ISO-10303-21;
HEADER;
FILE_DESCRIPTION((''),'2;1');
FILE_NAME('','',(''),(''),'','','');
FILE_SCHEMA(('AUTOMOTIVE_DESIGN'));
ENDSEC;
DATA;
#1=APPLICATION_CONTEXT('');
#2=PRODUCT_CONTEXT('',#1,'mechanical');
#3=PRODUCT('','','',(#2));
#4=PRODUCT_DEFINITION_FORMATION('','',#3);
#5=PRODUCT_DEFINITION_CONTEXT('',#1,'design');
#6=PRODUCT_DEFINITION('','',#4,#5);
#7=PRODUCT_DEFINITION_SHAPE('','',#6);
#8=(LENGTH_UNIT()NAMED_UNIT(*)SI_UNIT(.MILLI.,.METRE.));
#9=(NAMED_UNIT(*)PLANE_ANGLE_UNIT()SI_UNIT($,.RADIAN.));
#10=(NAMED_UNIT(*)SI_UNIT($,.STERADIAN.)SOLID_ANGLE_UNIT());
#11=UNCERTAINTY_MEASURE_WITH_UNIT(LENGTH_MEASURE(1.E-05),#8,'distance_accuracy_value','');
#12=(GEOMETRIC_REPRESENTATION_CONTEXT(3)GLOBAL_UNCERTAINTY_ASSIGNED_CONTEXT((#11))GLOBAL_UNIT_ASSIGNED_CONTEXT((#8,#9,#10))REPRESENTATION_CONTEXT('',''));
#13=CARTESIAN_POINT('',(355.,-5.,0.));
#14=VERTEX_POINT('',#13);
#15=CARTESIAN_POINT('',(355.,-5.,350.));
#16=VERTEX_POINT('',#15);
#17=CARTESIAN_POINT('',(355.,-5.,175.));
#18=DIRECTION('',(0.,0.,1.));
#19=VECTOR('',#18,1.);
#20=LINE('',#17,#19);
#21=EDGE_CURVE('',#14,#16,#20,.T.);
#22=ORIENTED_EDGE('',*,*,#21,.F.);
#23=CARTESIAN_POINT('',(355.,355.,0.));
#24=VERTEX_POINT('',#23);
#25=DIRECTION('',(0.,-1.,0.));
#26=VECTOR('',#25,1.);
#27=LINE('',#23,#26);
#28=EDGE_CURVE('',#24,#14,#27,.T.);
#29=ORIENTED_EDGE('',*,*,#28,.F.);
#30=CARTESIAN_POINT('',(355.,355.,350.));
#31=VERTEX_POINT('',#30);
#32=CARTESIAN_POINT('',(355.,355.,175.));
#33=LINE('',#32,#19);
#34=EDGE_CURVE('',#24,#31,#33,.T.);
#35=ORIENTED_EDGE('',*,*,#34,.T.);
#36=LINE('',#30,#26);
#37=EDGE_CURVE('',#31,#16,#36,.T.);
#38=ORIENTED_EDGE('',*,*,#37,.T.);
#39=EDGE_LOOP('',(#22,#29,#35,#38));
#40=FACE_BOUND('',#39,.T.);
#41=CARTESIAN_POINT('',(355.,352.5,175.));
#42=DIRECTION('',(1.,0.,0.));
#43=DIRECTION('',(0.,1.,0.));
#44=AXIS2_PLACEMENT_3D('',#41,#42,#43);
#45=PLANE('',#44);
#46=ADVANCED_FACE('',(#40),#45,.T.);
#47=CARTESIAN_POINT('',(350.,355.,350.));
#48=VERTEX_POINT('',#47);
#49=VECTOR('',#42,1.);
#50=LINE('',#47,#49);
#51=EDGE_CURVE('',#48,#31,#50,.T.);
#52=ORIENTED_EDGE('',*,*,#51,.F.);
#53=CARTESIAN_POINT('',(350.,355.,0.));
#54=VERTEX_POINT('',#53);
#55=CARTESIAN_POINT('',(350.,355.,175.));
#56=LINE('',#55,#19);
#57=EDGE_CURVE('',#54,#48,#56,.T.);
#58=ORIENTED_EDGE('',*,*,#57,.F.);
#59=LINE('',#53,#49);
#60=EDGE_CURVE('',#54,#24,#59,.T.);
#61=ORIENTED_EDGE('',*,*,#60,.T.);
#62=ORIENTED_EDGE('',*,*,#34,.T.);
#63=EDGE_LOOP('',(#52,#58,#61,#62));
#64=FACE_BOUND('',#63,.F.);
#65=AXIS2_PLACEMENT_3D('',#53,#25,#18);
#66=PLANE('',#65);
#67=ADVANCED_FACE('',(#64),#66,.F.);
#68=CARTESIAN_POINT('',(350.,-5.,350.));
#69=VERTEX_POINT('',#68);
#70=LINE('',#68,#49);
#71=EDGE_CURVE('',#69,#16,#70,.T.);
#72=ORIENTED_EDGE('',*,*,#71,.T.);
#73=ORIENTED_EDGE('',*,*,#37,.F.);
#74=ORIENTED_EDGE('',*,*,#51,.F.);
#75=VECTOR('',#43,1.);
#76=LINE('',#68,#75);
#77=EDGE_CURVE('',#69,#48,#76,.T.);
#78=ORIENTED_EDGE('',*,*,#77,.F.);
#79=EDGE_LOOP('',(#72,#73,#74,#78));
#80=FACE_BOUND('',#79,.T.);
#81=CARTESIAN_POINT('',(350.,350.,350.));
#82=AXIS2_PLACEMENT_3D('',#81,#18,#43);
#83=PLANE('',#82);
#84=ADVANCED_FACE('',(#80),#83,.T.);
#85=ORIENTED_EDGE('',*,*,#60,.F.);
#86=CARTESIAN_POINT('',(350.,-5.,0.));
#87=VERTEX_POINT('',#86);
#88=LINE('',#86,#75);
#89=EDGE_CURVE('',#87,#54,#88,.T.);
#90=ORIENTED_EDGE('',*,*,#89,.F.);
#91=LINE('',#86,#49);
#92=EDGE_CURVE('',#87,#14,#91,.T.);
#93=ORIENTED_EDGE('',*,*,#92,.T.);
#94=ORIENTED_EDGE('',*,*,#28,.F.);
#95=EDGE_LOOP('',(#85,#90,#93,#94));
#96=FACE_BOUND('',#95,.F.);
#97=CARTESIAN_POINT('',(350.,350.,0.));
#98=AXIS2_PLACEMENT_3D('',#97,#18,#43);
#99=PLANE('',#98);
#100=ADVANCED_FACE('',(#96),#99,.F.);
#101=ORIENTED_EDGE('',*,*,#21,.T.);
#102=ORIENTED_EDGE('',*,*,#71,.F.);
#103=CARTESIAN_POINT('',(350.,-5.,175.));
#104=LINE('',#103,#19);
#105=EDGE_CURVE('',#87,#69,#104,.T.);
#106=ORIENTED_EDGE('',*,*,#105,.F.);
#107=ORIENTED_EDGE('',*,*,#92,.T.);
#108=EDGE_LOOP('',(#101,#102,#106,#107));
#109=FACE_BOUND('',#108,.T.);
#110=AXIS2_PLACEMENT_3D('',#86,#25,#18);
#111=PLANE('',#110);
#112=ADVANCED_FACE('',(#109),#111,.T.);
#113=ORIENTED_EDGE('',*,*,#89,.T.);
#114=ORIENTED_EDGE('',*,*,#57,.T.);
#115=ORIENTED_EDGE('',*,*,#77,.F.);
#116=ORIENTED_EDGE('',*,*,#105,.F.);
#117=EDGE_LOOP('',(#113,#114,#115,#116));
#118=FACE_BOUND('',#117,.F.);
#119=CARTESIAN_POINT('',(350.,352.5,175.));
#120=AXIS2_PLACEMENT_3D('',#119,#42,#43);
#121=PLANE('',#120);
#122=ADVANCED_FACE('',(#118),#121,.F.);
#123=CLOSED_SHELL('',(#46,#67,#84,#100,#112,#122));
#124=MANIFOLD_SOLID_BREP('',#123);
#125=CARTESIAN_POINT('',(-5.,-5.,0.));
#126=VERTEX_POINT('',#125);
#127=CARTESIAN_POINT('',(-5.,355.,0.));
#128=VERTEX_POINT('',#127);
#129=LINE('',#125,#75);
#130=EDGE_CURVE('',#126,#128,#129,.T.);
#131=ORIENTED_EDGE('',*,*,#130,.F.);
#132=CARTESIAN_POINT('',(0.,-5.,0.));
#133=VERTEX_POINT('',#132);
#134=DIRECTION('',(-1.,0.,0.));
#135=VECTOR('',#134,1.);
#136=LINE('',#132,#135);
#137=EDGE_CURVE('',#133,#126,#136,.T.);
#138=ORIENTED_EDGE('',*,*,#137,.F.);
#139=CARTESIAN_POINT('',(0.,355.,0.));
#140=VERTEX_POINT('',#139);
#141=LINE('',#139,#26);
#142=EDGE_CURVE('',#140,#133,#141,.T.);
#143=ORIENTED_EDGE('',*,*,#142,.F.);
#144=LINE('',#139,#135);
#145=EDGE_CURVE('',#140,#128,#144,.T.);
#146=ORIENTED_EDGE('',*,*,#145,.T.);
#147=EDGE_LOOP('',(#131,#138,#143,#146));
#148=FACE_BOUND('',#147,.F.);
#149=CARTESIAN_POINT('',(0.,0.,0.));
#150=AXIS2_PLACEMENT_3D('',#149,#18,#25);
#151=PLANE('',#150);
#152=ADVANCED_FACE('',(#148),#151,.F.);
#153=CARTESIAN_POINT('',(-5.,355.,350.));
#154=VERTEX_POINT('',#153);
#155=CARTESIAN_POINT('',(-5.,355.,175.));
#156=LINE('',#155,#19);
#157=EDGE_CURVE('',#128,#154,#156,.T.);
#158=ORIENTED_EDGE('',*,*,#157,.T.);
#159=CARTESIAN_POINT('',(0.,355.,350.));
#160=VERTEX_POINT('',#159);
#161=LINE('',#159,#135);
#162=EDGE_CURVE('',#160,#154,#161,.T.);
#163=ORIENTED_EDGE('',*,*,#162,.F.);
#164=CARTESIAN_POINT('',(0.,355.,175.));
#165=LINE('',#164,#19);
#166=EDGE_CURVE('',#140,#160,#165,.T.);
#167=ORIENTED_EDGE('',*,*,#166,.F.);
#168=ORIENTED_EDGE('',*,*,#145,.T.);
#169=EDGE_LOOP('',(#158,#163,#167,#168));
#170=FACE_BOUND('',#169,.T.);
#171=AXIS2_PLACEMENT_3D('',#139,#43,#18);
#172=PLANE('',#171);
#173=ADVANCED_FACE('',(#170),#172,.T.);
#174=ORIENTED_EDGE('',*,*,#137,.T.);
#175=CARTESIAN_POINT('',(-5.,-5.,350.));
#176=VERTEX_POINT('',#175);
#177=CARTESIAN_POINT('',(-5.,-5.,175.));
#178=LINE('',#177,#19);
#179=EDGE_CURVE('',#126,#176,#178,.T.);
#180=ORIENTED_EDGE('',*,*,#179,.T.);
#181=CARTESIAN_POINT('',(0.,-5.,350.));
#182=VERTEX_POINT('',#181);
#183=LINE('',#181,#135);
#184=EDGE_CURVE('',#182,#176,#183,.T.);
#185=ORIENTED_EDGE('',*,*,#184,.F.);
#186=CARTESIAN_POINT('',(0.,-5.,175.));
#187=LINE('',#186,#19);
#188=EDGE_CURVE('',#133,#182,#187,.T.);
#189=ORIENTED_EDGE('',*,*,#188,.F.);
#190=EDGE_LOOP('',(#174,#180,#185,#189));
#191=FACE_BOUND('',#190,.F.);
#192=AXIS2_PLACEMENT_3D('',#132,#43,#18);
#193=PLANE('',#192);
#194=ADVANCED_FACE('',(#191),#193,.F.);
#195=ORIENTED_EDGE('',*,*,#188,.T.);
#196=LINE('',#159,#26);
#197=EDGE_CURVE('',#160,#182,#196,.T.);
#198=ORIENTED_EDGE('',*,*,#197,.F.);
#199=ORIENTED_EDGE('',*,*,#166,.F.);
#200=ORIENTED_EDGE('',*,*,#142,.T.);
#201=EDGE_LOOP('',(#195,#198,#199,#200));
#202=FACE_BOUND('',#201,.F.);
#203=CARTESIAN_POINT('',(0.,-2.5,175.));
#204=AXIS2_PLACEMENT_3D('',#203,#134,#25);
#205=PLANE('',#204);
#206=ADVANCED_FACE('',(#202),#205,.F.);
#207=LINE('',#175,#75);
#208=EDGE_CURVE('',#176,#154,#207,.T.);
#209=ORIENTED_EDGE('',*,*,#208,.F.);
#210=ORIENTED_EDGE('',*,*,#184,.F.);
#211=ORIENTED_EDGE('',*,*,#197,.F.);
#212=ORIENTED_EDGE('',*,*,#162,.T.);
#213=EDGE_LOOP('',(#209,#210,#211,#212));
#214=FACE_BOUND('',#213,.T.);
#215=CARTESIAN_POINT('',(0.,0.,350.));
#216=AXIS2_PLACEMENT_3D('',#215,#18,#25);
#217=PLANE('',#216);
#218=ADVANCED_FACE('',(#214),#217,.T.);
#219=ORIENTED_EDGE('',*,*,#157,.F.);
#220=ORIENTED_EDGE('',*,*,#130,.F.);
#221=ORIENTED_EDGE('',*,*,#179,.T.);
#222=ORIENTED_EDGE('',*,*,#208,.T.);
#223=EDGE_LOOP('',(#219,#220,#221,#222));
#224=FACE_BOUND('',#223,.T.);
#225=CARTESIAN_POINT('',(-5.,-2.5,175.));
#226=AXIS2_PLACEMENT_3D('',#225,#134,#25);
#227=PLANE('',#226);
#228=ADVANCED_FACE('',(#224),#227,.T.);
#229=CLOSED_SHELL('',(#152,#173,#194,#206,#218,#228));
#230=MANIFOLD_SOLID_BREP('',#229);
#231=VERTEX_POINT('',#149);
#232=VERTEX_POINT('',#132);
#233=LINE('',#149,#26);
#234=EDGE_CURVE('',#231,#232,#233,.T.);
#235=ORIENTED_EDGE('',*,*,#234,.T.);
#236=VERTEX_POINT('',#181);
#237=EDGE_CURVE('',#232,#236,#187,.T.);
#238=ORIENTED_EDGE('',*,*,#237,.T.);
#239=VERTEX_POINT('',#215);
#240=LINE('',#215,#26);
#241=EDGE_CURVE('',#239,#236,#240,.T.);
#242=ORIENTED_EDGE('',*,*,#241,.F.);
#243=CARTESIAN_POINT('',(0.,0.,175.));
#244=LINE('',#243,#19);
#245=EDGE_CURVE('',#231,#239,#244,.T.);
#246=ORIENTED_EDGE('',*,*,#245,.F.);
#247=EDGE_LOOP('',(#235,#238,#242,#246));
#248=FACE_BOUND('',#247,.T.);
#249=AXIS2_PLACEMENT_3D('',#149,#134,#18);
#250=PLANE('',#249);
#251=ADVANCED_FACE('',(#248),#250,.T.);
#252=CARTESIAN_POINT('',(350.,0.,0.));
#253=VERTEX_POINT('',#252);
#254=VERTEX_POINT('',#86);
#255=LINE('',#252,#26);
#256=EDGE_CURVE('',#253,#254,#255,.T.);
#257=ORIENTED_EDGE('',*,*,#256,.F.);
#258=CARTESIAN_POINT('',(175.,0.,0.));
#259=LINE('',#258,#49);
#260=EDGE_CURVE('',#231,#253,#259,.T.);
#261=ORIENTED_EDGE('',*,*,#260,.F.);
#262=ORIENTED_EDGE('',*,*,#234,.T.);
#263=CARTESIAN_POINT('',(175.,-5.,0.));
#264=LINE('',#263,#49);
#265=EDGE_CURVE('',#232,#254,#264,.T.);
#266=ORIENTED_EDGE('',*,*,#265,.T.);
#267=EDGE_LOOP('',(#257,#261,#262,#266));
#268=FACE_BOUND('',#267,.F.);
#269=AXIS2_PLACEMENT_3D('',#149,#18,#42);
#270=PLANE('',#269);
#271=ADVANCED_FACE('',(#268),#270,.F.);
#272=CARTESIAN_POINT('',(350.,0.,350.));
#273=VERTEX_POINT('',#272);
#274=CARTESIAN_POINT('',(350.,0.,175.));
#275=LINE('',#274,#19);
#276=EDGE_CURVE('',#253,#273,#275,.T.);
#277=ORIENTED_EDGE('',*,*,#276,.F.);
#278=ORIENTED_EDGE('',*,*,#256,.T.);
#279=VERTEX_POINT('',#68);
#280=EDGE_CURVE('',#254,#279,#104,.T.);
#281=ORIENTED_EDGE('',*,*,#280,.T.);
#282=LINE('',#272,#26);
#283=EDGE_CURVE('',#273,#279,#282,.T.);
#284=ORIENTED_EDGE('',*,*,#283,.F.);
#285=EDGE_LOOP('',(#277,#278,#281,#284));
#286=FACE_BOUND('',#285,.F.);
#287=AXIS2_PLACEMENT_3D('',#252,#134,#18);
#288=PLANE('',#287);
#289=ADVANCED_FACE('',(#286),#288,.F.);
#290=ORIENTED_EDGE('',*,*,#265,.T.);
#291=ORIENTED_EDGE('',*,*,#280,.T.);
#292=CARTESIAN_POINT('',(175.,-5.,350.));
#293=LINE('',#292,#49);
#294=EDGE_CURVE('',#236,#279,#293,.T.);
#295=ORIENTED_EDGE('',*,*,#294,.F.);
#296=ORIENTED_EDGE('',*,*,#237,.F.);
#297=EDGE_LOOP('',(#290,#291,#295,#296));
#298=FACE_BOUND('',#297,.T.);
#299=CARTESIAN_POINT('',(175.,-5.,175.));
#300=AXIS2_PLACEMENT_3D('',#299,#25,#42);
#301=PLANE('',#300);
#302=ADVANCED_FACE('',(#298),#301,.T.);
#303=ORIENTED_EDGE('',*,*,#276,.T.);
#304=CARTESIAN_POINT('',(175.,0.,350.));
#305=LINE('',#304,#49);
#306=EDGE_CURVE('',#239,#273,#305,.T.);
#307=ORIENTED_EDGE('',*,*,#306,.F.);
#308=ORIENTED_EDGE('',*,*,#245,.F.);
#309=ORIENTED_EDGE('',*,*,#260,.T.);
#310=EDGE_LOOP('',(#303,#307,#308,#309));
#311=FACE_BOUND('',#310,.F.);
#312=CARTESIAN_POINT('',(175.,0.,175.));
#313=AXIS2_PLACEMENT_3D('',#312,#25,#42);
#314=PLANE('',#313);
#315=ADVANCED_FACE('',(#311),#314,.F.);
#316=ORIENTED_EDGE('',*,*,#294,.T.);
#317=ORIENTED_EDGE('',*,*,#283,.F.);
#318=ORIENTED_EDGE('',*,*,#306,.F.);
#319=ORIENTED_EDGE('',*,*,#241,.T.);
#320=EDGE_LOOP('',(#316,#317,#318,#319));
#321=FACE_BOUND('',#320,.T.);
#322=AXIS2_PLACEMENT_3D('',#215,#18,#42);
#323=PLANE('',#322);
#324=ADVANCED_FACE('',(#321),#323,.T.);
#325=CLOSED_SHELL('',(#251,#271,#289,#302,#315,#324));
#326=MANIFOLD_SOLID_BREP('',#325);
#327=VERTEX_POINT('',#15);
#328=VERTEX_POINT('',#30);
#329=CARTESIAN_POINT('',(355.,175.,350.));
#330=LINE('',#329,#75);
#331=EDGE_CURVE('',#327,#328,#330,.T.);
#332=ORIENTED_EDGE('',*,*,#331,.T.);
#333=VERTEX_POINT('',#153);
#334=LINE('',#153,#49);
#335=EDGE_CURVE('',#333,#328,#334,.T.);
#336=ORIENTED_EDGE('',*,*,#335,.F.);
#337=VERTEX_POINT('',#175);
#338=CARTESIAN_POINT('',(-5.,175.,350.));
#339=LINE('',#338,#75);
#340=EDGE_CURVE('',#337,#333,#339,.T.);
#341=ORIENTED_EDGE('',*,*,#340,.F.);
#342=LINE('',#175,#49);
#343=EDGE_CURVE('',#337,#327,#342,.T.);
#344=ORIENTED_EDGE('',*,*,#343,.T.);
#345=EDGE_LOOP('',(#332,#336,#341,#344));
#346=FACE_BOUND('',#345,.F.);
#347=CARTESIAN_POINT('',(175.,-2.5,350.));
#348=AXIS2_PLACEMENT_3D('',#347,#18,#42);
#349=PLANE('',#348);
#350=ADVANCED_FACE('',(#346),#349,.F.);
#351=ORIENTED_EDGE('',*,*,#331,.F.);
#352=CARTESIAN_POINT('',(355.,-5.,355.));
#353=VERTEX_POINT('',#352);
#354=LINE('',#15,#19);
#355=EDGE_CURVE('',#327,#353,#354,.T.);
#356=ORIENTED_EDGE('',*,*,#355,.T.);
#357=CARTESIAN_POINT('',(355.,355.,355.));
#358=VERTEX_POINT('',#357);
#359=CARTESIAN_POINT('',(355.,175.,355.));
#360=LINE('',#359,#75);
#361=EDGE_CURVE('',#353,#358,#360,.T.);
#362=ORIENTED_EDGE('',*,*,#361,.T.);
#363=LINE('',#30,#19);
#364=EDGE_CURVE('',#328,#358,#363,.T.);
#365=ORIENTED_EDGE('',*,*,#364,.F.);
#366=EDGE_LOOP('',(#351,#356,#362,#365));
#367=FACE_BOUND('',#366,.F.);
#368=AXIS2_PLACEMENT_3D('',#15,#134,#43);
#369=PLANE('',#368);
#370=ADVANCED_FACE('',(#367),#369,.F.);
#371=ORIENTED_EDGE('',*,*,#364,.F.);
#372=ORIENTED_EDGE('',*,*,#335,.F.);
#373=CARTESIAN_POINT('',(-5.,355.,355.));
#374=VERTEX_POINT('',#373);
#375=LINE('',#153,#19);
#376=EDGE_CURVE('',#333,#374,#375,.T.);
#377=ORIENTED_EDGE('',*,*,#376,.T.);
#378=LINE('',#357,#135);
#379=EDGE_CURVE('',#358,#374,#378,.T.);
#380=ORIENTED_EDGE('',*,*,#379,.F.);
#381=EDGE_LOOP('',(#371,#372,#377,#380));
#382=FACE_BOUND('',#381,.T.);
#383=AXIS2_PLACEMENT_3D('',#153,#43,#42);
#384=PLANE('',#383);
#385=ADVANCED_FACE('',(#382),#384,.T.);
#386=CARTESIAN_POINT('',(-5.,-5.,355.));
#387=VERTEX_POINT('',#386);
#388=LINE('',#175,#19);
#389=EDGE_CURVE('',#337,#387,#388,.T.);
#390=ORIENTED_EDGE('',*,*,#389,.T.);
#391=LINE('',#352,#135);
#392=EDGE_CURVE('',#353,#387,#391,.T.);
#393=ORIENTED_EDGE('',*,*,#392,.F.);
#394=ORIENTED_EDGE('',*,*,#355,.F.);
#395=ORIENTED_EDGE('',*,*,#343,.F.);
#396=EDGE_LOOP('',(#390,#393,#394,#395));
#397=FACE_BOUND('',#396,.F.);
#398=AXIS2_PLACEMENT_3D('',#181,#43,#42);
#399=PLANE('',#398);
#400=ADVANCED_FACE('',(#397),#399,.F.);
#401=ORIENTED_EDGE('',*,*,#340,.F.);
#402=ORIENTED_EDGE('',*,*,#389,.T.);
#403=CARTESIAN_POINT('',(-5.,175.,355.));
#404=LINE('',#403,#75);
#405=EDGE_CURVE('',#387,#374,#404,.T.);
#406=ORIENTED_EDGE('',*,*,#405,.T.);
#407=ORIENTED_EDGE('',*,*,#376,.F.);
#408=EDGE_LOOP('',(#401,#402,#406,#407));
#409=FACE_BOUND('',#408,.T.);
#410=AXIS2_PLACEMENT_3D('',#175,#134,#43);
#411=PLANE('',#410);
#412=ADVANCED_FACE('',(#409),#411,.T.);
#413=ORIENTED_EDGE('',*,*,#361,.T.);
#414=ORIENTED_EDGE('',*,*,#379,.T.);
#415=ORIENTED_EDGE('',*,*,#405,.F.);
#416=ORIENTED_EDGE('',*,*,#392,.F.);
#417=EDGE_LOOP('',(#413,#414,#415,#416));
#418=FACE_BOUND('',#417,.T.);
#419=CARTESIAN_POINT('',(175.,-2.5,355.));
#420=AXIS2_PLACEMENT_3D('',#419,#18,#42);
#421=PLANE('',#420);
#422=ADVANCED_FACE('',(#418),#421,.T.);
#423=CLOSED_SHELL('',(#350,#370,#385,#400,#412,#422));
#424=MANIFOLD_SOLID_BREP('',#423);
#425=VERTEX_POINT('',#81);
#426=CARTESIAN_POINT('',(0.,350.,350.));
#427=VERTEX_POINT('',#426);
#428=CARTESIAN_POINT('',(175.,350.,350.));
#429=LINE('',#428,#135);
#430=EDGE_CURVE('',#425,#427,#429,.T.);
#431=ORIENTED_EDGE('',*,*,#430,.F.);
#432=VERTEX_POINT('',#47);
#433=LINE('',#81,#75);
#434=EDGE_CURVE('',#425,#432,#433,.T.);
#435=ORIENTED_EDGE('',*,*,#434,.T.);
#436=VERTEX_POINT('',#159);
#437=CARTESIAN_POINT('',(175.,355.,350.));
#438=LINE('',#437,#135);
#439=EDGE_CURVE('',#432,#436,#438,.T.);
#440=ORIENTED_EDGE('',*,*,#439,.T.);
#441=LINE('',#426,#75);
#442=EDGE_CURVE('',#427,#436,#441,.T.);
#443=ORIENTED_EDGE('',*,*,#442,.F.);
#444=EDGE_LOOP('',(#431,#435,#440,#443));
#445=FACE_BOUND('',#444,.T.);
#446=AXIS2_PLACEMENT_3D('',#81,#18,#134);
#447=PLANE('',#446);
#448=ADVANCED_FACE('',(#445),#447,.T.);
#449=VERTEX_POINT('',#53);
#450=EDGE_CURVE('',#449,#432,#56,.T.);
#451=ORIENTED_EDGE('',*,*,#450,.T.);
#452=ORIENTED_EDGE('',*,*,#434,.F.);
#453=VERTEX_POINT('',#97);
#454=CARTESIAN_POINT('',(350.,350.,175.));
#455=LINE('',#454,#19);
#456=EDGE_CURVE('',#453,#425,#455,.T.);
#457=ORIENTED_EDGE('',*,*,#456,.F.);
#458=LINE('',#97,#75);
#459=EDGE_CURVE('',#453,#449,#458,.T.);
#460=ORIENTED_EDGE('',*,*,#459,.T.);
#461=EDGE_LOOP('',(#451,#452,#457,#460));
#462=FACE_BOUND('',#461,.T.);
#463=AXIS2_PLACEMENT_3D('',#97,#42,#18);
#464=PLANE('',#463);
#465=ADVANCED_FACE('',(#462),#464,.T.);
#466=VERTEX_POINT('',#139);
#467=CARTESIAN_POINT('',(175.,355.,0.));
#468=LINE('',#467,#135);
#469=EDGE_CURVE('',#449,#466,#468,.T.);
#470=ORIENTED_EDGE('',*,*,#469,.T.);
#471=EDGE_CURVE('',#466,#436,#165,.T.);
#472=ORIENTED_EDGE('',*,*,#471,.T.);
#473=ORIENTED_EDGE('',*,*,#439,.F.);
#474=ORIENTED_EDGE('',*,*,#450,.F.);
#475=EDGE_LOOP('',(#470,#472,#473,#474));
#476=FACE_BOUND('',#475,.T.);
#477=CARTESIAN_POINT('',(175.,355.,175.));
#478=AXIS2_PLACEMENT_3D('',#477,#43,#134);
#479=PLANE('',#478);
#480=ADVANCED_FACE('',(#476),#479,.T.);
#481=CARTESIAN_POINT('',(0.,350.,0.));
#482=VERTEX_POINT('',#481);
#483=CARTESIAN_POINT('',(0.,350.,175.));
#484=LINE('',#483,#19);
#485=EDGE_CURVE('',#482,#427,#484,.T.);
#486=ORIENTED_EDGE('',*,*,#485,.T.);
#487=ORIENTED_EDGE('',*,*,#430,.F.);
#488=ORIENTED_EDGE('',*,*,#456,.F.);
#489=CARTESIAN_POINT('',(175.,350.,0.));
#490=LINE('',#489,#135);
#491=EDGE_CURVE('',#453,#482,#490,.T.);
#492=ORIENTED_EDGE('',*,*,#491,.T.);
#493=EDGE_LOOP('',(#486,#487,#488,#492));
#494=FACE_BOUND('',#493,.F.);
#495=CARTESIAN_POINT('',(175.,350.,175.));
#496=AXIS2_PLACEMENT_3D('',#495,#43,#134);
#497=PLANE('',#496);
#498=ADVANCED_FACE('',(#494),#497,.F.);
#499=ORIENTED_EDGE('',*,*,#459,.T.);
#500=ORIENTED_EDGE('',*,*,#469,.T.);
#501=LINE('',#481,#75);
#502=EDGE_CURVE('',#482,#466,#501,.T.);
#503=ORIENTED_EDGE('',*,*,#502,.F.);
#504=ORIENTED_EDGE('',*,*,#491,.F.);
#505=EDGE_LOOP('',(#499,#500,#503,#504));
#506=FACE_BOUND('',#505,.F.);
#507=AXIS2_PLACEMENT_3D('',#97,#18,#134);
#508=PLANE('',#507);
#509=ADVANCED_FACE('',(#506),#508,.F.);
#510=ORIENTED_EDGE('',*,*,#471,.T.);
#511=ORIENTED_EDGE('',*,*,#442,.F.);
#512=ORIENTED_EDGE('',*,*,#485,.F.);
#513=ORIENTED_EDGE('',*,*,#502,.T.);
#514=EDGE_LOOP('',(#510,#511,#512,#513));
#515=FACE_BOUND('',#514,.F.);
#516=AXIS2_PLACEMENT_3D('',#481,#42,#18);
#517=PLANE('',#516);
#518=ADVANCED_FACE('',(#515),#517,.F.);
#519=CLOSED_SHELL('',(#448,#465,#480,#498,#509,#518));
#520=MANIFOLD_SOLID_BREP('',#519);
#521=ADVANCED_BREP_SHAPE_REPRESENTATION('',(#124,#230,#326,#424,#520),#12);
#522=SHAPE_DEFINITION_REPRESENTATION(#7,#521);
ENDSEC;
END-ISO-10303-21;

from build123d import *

# Parameters (mm, degrees)
F3_W        = 350
F3_H        = 350
F10_DEPTH   = 5
F5_W        = 350
F5_H        = 350
F11_DEPTH   = 5
F10_FACE_W  = 5
F10_FACE_H  = 350
F7_W        = 350
F7_H        = 350
F11_FACE_W  = 5
F11_FACE_H  = 350
F12_DEPTH   = 5
F2_W        = 350
F2_H        = 350
F11_FACE1_W = 5
F11_FACE1_H = 350
F10_FACE1_W = 5
F10_FACE1_H = 350
F14_DEPTH   = 5
F15_FACE_W  = 5
F15_FACE_H  = 360
F9_W        = 350
F9_H        = 350
F11_FACE2_W = 350
F11_FACE2_H = 5
F13_FACE_W  = 5
F13_FACE_H  = 360
F10_FACE2_W = 350
F10_FACE2_H = 5
F16_DEPTH   = 5


with BuildPart() as f10:
    # F3 (on Front) → F10 (new body)
    with BuildSketch(Plane.XZ):
        with Locations((175, 175)):
            Rectangle(F3_W, F3_H)
    extrude(amount=F10_DEPTH)


with BuildPart() as f11:
    # F5 (on 3pt) → F11 (new body)
    with BuildSketch(Plane(origin=(0, 350, 0), x_dir=(-1, 0, 0), z_dir=(0, 1, 0))):
        with Locations((-175, 175)):
            Rectangle(F5_W, F5_H)
    extrude(amount=F11_DEPTH)


with BuildPart() as f12:
    # F10_face (on face) + F7 (on 3pt) + F11_face (on face) → F12 (new body)
    with BuildSketch(Plane(origin=(350, -2.5, 175), x_dir=(0, 1, 0), z_dir=(1, 0, 0))):
        Rectangle(F10_FACE_W, F10_FACE_H)
    with BuildSketch(Plane.YZ.offset(350)):
        with Locations((175, 175)):
            Rectangle(F7_W, F7_H)
    with BuildSketch(Plane(origin=(350, 352.5, 175), x_dir=(0, 1, 0), z_dir=(1, 0, 0))):
        Rectangle(F11_FACE_W, F11_FACE_H)
    extrude(amount=F12_DEPTH)

    # F13: union 


with BuildPart() as f14:
    # F2 (on Right) + F11_face1 (on face) + F10_face1 (on face) → F14 (new body)
    with BuildSketch(Plane.YZ):
        with Locations((175, 175)):
            Rectangle(F2_W, F2_H)
    with BuildSketch(Plane(origin=(0, 352.5, 175), x_dir=(0, -1, 0), z_dir=(-1, 0, 0))):
        Rectangle(F11_FACE1_W, F11_FACE1_H)
    with BuildSketch(Plane(origin=(0, -2.5, 175), x_dir=(0, -1, 0), z_dir=(-1, 0, 0))):
        Rectangle(F10_FACE1_W, F10_FACE1_H)
    extrude(amount=-F14_DEPTH, dir=(1, 0, 0))

    # F15: union 


with BuildPart() as f16:
    # F15_face (on face) + F9 (on 3pt) + F11_face2 (on face) + F13_face (on face) + F10_face2 (on face) → F16 (new body)
    with BuildSketch(Plane(origin=(-2.5, 175, 350), x_dir=(1, 0, 0), z_dir=(0, 0, 1))):
        Rectangle(F15_FACE_W, F15_FACE_H)
    with BuildSketch(Plane(origin=(0, 0, 350), x_dir=(1, 0, 0), z_dir=(0, 0, -1))):
        with Locations((175, -175)):
            Rectangle(F9_W, F9_H)
    with BuildSketch(Plane(origin=(175, 352.5, 350), x_dir=(1, 0, 0), z_dir=(0, 0, 1))):
        Rectangle(F11_FACE2_W, F11_FACE2_H)
    with BuildSketch(Plane(origin=(352.5, 175, 350), x_dir=(1, 0, 0), z_dir=(0, 0, 1))):
        Rectangle(F13_FACE_W, F13_FACE_H)
    with BuildSketch(Plane(origin=(175, -2.5, 350), x_dir=(1, 0, 0), z_dir=(0, 0, 1))):
        Rectangle(F10_FACE2_W, F10_FACE2_H)
    extrude(amount=F16_DEPTH, dir=(0, 0, 1))


solid = Compound([f10.part, f11.part, f12.part, f14.part, f16.part])
